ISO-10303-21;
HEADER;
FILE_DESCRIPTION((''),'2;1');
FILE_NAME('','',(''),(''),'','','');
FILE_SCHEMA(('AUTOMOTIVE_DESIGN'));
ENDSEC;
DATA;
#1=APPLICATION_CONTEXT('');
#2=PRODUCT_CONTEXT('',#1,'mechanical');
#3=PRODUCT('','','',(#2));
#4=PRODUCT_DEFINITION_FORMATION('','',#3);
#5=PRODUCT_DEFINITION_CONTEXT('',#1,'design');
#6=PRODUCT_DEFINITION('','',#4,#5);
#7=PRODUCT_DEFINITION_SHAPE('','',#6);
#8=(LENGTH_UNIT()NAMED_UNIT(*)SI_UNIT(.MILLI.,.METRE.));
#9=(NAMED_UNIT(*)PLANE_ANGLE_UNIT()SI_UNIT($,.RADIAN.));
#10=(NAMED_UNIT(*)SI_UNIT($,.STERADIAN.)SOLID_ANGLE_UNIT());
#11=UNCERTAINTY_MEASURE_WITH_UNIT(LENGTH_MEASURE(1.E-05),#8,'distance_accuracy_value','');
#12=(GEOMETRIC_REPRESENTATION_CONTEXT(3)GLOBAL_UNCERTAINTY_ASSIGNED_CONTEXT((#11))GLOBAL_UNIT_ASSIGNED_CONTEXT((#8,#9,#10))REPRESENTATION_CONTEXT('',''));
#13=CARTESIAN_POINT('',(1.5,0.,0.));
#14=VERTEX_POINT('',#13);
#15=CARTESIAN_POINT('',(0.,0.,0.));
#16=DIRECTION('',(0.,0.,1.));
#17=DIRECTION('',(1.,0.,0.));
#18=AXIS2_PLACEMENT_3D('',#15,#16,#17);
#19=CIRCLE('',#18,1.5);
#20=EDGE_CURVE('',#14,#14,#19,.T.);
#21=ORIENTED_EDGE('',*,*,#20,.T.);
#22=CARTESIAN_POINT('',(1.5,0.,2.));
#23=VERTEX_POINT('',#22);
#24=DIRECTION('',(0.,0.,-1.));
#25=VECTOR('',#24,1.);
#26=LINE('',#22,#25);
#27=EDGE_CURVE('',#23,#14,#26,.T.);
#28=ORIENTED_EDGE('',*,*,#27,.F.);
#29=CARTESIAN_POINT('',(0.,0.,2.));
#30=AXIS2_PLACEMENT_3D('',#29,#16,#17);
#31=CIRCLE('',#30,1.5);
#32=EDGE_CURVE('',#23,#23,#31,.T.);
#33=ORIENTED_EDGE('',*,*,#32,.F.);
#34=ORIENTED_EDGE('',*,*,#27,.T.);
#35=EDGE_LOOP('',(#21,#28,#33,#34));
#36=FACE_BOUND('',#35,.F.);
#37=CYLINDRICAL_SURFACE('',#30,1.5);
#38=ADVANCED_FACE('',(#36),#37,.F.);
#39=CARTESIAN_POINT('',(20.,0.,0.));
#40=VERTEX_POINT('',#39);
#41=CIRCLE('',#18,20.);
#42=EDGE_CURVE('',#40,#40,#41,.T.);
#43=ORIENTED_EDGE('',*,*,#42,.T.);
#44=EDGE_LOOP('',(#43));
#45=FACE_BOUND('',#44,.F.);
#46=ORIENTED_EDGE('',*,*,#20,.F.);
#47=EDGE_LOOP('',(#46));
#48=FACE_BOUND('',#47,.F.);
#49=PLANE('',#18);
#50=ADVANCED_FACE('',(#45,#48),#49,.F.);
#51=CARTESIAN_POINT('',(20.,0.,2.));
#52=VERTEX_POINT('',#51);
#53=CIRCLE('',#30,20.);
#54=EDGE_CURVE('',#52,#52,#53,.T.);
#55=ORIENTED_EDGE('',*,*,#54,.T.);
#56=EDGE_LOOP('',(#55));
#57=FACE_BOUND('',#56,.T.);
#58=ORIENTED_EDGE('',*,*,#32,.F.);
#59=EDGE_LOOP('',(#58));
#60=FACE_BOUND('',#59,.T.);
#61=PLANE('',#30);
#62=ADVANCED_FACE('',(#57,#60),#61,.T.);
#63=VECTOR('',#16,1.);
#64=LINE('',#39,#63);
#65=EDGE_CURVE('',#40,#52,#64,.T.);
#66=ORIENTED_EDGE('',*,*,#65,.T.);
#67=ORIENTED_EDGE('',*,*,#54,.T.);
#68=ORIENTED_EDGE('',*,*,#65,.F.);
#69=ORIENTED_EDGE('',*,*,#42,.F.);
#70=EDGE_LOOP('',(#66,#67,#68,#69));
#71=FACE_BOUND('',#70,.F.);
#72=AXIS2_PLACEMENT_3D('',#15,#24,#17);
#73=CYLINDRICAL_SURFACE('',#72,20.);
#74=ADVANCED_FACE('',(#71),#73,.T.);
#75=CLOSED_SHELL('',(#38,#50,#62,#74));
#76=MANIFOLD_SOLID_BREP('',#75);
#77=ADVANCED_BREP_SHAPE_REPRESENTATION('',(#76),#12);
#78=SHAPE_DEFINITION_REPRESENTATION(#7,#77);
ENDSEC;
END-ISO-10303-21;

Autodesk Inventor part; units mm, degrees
ref_plane "YZ Plane" through (0, 0, 0) normal (1, 0, 0) x (0, 1, 0)
ref_plane "XZ Plane" through (0, 0, 0) normal (0, 1, 0) x (-1, 0, 0)
ref_plane "XY Plane" through (0, 0, 0) normal (0, 0, 1) x (1, 0, 0)
sketch "Sketch1" plane through (0, 0, 0) normal (0, 0, 1) x (1, 0, 0)
  circle A0 centre (0, 0) radius 20
  dimension "d0" = 40
extrude "Extrusion1" add sketch "Sketch1" along normal blind 2
sketch "Sketch2" plane through (0, 0, 2) normal (0, 0, 1) x (1, 0, 0)
  circle A0 centre (0, 0) radius 1.5
  dimension "d3" = 3
extrude "Extrusion2" cut sketch "Sketch2" against normal blind 2
properties part number "eye" material "Acetal Resin, Black"
